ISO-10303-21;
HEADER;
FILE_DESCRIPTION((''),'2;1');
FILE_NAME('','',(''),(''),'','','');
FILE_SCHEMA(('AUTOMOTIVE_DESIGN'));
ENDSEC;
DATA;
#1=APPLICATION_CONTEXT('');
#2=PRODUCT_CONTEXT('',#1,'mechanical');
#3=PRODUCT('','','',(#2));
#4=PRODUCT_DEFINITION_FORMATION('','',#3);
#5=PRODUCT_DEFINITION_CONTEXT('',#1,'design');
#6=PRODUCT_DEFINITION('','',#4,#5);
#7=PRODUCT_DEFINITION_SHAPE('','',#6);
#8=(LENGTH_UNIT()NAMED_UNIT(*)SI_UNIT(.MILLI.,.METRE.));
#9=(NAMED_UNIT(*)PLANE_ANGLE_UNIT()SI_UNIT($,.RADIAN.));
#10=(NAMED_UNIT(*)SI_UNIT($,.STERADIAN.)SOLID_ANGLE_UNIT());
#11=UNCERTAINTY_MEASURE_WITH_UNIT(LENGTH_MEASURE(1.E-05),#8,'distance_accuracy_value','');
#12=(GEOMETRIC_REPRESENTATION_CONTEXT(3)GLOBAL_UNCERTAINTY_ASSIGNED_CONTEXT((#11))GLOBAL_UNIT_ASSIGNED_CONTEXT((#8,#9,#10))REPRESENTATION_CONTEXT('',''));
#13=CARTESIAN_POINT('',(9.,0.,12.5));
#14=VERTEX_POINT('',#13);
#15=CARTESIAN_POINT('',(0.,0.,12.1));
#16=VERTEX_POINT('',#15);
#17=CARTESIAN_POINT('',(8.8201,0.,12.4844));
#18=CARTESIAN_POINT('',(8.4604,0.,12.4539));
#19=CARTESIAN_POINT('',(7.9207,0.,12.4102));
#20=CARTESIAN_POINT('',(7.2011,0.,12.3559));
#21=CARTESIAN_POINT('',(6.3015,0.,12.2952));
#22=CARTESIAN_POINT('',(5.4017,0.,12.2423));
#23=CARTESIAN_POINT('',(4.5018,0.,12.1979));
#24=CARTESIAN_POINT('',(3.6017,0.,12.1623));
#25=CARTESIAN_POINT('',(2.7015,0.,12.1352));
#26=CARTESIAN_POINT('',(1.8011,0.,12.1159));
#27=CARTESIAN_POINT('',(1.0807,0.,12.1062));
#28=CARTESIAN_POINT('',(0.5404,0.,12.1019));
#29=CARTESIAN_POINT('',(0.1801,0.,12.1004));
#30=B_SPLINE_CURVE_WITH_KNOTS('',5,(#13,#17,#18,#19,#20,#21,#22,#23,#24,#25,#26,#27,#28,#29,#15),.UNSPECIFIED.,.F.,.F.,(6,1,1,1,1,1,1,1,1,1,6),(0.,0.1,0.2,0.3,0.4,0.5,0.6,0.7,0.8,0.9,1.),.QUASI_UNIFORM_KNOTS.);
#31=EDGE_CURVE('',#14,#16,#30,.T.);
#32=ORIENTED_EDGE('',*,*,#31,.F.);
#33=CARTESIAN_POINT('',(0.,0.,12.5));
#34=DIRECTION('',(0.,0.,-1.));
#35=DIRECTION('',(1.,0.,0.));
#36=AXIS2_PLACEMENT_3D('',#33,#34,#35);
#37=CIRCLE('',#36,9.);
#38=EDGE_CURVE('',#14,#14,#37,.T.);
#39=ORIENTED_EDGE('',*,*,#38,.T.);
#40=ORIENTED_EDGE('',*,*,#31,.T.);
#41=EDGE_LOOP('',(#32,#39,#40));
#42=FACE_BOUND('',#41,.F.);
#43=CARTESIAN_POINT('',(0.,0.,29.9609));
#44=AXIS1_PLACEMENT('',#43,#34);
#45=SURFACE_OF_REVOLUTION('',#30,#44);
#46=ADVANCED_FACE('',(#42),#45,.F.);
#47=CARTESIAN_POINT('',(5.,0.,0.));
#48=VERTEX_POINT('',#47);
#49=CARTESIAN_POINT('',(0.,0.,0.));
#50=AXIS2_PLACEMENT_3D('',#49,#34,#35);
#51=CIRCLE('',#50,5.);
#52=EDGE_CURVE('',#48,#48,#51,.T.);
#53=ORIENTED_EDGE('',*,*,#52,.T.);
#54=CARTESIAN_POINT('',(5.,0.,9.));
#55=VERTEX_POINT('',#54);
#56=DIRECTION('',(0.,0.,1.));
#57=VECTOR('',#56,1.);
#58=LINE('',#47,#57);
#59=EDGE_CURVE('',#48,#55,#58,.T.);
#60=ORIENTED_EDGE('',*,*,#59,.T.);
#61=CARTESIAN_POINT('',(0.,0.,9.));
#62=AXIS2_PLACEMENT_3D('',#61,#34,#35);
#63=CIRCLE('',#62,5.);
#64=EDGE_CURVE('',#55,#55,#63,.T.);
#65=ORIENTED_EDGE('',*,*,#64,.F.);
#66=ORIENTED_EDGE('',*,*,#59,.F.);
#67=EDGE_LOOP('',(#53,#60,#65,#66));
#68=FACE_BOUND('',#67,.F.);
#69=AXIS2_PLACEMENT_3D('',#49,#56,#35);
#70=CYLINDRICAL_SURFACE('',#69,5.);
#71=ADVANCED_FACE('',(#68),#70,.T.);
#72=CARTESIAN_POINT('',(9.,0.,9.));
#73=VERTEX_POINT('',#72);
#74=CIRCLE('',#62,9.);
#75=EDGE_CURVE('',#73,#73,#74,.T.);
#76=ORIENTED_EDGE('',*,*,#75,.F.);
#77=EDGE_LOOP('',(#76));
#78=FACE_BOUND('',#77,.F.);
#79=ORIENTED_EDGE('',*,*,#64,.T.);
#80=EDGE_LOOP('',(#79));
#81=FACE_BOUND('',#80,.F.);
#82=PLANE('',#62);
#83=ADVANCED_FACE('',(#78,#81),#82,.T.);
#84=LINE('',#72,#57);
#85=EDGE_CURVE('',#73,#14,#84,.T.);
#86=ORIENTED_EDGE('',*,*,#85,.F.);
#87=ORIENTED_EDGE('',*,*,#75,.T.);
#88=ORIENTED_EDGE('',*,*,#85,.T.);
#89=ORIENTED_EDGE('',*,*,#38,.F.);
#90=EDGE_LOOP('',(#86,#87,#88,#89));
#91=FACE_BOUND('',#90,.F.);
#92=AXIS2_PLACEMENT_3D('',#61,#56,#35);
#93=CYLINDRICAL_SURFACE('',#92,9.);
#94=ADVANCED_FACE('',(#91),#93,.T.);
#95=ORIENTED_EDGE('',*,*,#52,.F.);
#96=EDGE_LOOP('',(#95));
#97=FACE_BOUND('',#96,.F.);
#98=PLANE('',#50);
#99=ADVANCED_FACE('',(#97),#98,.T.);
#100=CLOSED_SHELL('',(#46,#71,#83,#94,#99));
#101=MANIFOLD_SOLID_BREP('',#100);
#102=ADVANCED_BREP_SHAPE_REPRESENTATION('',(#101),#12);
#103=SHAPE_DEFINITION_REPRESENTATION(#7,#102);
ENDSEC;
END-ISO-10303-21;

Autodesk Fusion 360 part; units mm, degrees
sketch "Szkic1" plane through (0, 0, 0) normal (0, 1, 0) x (1, 0, 0)
  line L0 (0, 0) -> (5, 0)
  line L1 (5, 0) -> (5, -9)
  line L2 (5, -9) -> (9, -9)
  line L3 (9, -9) -> (9, -12.5)
  line L4 (0, -29.9609) -> (0, -12.1) construction
  line L5 (0, 0) -> (0, 2.9959) construction
  spline S0 degree 5 poles (9, -12.5) (8.8201, -12.4844) (8.4604, -12.4539) (7.9207, -12.4102) (7.2011, -12.3559) (6.3015, -12.2952) (5.4017, -12.2423) (4.5018, -12.1979) (3.6017, -12.1623) (2.7015, -12.1352) (1.8011, -12.1159) (1.0807, -12.1062) (0.5404, -12.1019) (0.1801, -12.1004) (0, -12.1) knots 0 0 0 0 0 0 0.1 0.2 0.3 0.4 0.5 0.6 0.7 0.8 0.9 1 1 1 1 1 1
  line L6 (0, -12.1) -> (0, 0)
  point P0 (4.5, -12.2)
  dimension "d4" = 9
  dimension "d5" = 9
  dimension "d6" = 3.5
  dimension "d10" = 4.5
  dimension "d12" = 0.4
  dimension "d13" = 0.3
  dimension "d14" = 5
revolve "Obrót1" add sketch "Szkic1" angle 360 about axis through (0, 0, 29.9609) along (0, 0, -1)
